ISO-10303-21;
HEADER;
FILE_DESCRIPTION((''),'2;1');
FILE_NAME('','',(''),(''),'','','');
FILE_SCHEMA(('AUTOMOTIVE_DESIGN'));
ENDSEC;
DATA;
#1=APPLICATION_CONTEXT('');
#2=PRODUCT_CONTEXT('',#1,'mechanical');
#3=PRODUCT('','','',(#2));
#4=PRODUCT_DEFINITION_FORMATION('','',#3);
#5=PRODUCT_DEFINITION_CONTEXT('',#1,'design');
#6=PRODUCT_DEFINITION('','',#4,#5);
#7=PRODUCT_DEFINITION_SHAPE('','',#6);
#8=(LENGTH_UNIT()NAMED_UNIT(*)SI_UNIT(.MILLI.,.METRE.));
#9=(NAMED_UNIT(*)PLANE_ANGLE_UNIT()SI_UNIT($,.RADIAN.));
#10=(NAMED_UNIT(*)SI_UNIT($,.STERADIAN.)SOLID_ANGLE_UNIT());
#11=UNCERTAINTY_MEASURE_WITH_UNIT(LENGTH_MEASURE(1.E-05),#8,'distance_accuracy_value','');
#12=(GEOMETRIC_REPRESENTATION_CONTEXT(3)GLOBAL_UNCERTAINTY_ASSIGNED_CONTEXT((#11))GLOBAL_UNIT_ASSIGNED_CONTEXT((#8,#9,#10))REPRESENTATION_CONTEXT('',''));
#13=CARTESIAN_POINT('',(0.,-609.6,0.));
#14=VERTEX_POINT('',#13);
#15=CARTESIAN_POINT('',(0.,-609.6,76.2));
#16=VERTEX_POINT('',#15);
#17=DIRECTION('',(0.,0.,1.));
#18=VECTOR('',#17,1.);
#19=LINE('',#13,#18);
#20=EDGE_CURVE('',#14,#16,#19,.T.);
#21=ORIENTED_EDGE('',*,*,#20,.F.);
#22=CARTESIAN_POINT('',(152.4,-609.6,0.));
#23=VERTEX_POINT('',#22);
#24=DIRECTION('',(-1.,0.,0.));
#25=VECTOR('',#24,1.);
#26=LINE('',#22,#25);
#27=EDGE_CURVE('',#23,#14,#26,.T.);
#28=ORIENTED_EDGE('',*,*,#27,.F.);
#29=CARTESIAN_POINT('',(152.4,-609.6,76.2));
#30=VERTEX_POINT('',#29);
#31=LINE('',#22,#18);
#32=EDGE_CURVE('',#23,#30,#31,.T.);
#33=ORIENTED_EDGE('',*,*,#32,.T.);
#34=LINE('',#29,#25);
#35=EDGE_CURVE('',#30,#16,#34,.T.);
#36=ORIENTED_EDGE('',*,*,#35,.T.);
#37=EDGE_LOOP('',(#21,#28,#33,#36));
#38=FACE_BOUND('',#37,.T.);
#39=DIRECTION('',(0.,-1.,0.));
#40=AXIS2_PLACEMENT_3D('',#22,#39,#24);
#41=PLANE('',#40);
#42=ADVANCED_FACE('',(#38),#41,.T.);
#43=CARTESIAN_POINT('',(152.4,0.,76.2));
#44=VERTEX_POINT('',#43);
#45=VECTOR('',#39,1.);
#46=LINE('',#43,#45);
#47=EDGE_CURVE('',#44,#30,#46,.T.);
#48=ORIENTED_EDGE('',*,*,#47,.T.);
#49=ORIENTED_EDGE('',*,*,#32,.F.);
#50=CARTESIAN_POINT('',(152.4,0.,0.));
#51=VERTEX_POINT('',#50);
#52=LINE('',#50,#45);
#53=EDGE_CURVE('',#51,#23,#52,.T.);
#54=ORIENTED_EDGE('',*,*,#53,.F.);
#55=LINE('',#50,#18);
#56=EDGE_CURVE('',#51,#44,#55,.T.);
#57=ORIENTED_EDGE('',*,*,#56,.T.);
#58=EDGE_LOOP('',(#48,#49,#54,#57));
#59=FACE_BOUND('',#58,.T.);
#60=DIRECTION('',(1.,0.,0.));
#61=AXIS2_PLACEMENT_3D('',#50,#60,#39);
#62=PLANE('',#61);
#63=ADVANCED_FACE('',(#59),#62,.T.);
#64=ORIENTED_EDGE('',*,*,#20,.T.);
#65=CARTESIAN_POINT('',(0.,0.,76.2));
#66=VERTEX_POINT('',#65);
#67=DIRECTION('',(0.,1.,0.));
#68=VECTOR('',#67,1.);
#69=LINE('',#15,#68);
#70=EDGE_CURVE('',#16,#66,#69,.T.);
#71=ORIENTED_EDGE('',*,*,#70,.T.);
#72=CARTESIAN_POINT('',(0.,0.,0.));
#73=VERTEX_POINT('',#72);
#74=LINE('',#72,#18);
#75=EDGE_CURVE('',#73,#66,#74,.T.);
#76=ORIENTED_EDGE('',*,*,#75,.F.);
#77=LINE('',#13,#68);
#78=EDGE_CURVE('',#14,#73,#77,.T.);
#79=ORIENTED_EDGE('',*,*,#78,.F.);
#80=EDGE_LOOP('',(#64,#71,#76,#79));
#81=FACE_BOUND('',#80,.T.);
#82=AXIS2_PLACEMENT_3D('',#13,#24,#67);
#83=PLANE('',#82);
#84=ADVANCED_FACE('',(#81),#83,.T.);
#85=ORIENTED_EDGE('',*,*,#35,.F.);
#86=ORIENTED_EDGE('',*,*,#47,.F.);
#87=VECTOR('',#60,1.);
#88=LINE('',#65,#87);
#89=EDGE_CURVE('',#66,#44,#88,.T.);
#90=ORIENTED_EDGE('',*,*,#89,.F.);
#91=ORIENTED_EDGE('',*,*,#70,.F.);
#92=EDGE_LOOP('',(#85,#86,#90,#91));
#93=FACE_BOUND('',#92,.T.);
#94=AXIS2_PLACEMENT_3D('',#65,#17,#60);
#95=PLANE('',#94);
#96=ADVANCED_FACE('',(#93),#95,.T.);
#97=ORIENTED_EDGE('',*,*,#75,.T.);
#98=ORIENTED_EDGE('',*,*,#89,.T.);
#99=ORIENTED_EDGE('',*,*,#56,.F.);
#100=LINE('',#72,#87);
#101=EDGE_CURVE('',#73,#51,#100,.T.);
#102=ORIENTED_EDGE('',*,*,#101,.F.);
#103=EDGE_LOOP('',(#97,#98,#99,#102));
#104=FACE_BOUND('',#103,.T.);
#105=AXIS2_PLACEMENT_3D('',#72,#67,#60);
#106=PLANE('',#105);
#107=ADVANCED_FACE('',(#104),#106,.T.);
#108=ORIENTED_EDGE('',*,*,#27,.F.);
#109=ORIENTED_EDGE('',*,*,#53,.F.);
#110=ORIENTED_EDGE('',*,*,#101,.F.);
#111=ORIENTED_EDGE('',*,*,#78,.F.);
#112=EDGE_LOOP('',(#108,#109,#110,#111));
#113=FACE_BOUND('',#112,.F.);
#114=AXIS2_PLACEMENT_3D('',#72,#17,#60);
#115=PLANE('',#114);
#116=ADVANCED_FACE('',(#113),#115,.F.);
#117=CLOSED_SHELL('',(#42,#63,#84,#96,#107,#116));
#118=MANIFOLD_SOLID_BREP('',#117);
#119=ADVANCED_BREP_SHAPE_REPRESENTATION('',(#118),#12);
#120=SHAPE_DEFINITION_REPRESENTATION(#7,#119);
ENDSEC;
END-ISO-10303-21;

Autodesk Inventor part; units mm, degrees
ref_plane "YZ Plane" through (0, 0, 0) normal (1, 0, 0) x (0, 1, 0)
ref_plane "XZ Plane" through (0, 0, 0) normal (0, 1, 0) x (-1, 0, 0)
ref_plane "XY Plane" through (0, 0, 0) normal (0, 0, 1) x (1, 0, 0)
sketch "Sketch1" plane through (0, 0, 0) normal (0, 0, 1) x (1, 0, 0)
  line L0 (0, 0) -> (152.4, 0)
  line L1 (152.4, 0) -> (152.4, -609.6)
  line L2 (152.4, -609.6) -> (0, -609.6)
  line L3 (0, -609.6) -> (0, 0)
  dimension "d0" = 152.4
  dimension "d1" = 609.6
extrude "Extrusion1" add sketch "Sketch1" along normal blind 76.2
properties part number "rev2 top window wall v plank" material "Wood (Birch)"
